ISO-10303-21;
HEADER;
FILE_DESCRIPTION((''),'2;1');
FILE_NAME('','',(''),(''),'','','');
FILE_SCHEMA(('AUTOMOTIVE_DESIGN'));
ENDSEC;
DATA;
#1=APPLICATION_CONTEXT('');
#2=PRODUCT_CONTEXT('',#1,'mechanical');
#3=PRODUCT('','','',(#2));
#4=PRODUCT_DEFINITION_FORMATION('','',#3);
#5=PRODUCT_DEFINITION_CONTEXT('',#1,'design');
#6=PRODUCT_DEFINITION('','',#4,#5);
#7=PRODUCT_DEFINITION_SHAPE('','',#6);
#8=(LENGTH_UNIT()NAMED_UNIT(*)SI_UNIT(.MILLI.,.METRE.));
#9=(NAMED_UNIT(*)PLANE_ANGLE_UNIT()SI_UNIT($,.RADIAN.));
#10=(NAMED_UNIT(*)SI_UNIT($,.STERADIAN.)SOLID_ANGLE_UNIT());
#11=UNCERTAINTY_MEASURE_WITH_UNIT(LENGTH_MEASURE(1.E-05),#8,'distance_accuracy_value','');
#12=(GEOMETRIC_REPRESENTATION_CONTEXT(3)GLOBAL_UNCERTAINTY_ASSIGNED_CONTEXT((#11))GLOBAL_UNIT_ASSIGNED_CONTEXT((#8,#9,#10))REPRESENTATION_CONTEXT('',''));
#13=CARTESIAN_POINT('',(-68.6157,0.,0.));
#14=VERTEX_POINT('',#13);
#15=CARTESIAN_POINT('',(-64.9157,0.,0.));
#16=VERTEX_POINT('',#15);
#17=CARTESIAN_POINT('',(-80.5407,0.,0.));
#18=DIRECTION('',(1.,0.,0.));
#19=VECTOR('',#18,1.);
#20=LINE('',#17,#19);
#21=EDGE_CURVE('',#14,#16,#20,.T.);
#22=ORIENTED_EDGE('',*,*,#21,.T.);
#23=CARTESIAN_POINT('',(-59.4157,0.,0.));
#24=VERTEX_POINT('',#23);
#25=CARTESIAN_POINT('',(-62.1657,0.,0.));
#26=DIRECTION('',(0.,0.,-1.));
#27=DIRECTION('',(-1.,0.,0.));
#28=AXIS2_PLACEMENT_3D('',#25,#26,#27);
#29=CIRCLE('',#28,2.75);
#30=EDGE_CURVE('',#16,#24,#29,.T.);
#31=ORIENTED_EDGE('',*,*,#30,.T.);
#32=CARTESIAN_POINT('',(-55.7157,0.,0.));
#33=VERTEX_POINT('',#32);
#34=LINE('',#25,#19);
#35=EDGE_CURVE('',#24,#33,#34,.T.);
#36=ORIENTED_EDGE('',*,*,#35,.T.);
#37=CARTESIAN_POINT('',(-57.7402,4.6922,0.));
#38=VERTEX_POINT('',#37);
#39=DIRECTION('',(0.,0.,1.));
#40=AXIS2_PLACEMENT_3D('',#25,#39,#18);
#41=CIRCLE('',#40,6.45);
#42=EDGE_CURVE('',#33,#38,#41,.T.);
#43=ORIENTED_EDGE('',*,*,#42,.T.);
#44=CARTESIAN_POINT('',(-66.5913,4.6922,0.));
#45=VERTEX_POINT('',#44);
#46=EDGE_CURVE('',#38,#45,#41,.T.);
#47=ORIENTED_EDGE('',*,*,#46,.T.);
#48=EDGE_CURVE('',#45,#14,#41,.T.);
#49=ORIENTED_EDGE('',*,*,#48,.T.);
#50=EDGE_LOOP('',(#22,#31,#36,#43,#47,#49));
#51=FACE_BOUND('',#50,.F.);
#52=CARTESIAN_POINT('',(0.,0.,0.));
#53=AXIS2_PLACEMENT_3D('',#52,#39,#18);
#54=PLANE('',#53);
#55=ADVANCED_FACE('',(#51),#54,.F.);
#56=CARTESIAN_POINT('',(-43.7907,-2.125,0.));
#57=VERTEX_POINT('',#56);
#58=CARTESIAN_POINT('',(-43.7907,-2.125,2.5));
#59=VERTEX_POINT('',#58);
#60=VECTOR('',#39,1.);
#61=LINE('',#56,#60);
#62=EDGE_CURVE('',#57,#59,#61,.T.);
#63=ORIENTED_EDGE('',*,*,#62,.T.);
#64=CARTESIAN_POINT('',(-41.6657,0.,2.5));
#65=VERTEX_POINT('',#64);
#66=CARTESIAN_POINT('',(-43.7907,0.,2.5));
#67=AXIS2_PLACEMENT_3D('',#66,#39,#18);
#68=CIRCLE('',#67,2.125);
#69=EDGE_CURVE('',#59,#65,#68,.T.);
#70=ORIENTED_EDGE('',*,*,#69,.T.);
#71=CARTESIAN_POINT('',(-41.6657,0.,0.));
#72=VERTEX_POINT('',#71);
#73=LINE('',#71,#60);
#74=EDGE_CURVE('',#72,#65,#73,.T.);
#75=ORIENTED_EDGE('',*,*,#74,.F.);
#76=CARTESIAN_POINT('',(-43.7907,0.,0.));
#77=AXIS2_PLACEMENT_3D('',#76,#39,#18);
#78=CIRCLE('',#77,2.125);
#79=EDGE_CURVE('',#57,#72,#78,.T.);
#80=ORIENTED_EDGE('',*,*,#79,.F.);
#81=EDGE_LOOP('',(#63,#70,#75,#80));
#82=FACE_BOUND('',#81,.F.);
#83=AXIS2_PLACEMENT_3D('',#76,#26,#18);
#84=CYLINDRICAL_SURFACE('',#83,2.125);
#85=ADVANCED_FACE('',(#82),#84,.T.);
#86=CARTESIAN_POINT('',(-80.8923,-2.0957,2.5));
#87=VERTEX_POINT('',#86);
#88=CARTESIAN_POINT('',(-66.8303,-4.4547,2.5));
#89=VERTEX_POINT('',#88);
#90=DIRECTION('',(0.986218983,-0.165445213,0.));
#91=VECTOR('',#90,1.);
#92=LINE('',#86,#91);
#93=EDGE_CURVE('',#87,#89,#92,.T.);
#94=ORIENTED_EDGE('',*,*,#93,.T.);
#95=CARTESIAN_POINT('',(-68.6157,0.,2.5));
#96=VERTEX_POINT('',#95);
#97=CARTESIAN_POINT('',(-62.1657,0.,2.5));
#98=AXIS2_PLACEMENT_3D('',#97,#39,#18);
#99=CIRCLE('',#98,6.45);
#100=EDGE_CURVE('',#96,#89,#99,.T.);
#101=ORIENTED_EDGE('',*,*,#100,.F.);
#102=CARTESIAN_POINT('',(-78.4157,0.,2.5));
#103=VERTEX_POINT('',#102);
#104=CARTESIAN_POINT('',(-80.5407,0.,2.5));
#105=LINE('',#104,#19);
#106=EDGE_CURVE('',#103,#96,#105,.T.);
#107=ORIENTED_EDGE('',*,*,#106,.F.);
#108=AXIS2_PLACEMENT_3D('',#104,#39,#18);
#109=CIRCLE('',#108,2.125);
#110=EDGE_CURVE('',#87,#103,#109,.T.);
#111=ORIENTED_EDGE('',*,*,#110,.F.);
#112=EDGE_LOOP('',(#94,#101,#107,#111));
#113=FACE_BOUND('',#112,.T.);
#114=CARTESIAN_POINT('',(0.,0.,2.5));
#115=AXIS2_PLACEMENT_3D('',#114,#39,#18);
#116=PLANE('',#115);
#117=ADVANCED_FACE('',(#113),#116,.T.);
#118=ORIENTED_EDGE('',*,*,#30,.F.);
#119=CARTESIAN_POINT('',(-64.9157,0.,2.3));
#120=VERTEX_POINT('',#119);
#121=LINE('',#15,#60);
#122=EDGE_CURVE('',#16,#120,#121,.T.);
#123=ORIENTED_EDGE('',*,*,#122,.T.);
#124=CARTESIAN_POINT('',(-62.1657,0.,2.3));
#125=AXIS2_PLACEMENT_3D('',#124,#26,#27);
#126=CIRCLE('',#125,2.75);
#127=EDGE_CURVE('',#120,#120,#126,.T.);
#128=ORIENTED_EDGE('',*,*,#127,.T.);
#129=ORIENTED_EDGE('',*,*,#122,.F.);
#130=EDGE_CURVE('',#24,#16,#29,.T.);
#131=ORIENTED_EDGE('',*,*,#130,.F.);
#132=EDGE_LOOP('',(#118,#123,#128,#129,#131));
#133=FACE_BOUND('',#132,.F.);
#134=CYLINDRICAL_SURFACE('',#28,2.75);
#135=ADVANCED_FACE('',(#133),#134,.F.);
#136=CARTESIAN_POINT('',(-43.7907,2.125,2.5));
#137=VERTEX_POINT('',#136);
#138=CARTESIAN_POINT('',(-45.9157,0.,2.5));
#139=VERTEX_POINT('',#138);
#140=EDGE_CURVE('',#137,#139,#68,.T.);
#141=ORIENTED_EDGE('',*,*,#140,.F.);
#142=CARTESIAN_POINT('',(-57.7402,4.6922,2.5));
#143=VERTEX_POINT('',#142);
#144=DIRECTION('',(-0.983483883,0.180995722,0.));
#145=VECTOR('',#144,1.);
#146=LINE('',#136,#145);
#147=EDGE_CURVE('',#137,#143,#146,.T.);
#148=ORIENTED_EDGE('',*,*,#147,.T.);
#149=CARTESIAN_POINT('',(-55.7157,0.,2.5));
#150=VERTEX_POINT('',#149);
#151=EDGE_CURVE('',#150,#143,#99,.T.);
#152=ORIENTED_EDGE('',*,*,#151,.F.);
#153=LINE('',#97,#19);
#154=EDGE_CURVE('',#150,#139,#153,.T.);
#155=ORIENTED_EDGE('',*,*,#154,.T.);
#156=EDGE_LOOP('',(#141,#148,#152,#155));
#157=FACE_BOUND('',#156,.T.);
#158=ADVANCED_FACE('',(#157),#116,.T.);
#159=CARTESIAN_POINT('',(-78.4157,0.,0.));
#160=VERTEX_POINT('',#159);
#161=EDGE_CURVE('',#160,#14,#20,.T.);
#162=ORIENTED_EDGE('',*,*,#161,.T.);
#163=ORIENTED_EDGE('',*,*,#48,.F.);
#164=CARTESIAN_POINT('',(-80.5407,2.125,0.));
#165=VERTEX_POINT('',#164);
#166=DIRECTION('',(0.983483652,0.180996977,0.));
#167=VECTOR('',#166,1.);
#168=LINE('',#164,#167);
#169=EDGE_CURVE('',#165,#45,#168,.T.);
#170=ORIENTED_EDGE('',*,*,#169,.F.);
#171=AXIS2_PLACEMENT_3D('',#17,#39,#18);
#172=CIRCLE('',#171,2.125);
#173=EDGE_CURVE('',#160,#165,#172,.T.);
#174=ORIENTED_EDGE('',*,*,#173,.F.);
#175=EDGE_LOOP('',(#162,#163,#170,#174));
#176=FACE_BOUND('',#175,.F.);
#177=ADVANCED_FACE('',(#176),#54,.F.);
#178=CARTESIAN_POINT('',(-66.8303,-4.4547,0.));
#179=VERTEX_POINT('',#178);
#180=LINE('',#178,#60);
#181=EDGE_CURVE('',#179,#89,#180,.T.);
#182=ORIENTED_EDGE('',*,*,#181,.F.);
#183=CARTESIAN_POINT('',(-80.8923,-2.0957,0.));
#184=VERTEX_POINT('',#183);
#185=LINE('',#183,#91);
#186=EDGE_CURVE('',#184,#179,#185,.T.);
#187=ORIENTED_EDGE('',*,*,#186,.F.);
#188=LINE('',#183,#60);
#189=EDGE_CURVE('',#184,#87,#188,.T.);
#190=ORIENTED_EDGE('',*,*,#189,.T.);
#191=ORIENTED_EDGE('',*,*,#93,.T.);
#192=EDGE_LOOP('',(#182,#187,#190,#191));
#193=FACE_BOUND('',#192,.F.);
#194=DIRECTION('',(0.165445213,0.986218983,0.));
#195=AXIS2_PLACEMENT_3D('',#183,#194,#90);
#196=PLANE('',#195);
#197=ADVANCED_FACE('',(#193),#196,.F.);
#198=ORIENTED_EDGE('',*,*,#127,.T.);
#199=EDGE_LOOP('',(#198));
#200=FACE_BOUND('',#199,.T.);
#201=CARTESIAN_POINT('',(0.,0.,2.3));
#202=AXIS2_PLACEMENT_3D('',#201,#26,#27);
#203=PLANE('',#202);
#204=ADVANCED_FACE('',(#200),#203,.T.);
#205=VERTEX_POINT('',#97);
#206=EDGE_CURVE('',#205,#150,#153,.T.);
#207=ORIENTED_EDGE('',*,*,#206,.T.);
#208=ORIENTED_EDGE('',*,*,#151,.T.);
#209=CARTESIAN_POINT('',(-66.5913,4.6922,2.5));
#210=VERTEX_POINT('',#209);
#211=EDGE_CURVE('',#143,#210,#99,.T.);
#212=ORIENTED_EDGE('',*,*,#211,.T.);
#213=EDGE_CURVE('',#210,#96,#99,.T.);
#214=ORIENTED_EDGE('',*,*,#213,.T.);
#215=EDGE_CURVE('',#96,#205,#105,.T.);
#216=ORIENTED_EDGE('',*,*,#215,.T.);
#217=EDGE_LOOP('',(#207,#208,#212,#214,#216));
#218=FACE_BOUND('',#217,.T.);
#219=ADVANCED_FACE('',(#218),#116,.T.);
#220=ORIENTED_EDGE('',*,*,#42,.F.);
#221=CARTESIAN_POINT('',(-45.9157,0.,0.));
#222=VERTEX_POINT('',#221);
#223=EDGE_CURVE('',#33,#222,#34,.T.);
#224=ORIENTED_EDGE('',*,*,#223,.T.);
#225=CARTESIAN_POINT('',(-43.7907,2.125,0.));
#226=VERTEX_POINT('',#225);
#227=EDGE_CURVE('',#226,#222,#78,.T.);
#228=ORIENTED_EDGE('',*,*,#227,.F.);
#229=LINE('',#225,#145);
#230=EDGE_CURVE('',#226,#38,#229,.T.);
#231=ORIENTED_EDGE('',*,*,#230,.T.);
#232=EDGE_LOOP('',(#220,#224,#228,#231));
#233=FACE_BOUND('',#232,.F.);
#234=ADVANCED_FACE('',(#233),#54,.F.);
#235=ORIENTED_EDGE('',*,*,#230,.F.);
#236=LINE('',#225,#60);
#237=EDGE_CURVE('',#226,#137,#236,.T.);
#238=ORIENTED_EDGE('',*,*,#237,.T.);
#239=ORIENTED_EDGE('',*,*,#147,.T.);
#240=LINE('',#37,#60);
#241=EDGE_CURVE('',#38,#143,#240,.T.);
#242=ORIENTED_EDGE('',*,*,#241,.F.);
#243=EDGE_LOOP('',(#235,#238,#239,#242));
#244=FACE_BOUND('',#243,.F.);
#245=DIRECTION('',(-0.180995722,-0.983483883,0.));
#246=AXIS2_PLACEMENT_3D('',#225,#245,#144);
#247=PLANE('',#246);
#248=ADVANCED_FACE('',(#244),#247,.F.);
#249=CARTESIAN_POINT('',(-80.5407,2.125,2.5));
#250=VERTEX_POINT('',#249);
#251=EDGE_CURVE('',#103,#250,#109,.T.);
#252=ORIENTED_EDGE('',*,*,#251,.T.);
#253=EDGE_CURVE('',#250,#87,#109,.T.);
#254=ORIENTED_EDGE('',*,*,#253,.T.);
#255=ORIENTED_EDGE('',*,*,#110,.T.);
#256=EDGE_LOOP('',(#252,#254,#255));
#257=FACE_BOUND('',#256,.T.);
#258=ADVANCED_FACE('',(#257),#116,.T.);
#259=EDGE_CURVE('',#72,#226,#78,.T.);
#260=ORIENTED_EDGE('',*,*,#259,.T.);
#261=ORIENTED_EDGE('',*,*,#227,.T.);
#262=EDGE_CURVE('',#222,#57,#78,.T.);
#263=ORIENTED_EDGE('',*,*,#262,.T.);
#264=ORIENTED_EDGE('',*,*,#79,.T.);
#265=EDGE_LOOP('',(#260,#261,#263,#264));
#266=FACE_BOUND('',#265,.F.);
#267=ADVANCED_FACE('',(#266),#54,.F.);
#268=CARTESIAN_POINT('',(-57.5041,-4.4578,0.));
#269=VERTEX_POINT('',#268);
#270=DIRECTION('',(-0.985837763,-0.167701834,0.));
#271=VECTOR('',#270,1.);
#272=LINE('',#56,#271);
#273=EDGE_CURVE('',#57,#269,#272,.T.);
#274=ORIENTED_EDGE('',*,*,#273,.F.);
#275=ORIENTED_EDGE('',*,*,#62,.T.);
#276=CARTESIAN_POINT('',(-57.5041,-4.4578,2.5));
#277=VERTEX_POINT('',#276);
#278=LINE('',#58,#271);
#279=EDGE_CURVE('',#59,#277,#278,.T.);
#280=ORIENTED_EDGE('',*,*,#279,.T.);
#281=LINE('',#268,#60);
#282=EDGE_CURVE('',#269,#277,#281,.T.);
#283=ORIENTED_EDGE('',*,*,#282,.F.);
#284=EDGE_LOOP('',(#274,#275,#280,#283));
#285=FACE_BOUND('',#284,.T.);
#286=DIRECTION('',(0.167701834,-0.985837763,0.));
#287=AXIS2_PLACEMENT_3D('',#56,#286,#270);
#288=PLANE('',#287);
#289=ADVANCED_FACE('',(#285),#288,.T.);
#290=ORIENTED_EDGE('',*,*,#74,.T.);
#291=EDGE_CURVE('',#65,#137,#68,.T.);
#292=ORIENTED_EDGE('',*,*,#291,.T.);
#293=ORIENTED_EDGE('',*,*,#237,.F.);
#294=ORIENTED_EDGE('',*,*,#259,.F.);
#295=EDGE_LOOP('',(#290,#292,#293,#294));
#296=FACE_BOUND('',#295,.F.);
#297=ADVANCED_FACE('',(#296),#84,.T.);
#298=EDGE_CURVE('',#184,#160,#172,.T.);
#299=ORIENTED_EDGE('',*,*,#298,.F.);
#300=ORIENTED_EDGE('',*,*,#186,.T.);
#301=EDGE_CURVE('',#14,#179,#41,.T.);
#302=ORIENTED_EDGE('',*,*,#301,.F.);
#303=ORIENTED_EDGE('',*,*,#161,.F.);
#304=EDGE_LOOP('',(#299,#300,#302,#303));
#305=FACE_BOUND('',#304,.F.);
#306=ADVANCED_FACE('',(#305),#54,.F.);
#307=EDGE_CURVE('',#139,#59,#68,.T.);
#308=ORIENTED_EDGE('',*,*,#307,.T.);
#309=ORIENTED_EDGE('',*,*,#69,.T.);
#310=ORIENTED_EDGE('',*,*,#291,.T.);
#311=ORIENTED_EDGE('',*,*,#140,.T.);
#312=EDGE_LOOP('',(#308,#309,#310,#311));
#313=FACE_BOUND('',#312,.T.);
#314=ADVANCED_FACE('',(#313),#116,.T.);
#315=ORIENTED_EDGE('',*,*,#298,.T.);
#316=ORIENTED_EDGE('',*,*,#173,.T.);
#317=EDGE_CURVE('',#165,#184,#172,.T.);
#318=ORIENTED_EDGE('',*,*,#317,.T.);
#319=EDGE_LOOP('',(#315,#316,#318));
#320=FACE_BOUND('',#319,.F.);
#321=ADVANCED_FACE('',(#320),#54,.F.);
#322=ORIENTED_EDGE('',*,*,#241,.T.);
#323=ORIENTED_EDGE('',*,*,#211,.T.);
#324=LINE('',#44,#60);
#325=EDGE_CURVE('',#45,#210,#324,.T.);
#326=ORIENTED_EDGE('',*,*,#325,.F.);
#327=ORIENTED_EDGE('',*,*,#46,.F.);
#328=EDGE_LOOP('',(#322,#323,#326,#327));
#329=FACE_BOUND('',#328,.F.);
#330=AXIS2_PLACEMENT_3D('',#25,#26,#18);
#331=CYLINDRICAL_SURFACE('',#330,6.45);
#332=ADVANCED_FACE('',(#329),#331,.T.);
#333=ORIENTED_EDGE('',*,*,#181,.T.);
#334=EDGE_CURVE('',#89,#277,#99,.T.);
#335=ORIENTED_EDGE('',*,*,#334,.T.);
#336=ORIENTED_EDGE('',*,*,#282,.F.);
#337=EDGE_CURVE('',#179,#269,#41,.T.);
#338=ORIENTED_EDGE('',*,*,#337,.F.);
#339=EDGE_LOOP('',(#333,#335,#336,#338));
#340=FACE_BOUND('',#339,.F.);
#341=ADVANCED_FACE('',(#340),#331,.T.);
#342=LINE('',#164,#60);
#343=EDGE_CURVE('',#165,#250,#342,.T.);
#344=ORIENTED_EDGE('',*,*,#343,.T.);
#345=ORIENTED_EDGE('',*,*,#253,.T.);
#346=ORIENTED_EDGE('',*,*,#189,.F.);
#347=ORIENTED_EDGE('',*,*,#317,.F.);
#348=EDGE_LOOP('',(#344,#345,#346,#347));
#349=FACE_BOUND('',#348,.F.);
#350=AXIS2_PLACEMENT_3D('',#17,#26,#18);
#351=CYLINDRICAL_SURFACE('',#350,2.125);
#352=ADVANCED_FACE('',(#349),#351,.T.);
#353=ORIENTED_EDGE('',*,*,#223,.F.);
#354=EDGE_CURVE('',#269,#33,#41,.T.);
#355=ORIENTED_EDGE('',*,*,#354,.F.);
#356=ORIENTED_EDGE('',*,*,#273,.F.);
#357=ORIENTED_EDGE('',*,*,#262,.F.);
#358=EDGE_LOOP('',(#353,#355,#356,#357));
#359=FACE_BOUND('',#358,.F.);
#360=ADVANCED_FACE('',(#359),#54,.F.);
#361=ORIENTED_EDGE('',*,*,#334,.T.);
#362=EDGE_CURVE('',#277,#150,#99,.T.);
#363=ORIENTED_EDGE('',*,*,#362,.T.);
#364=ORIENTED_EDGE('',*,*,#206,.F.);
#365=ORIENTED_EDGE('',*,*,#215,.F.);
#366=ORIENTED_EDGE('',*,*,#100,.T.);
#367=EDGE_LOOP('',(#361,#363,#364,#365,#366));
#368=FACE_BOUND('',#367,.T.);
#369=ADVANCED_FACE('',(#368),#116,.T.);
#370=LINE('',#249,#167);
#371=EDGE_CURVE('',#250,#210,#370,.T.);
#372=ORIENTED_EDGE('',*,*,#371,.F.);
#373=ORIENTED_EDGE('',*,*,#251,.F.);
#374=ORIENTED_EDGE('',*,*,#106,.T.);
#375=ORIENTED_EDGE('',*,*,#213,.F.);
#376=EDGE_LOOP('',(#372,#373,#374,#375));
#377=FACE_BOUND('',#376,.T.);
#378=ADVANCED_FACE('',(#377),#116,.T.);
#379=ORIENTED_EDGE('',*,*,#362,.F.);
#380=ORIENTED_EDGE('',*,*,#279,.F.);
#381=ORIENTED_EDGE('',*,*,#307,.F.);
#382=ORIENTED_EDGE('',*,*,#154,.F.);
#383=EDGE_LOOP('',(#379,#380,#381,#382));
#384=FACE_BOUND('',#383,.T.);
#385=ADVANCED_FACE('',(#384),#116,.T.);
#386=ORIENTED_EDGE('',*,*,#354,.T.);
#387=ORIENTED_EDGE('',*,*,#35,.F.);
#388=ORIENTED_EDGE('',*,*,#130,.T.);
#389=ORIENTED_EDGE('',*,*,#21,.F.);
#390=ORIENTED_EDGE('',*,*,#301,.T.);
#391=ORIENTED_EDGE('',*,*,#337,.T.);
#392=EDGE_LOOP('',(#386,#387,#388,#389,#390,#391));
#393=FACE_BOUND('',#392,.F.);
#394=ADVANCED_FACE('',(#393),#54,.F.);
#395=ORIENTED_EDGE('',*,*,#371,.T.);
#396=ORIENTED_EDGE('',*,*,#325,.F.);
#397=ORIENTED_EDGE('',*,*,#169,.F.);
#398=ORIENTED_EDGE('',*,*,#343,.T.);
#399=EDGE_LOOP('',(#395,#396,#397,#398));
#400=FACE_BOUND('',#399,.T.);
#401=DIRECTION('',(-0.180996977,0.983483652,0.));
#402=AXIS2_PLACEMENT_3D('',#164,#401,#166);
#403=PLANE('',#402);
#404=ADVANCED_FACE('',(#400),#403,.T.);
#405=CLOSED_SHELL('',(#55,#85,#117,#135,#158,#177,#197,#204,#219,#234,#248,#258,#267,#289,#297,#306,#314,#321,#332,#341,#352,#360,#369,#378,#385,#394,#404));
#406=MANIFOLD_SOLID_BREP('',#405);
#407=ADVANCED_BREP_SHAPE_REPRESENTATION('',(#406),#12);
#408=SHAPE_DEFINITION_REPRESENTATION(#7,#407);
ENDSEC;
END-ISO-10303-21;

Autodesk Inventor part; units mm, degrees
ref_plane "YZ Plane" through (0, 0, 0) normal (1, 0, 0) x (0, 1, 0)
ref_plane "XZ Plane" through (0, 0, 0) normal (0, 1, 0) x (-1, 0, 0)
ref_plane "XY Plane" through (0, 0, 0) normal (0, 0, 1) x (1, 0, 0)
sketch "Sketch1" plane through (0, 0, 0) normal (0, 0, 1) x (1, 0, 0)
  circle A0 centre (-80.5407, 0) radius 2.125
  circle A1 centre (-43.7907, 0) radius 2.125
  circle A2 centre (-62.1657, 0) radius 6.45
  line L0 (-62.1657, 0) -> (-43.7907, 0)
  line L1 (-80.5407, 0) -> (-62.1657, 0)
  line L2 (-80.5407, 2.125) -> (-66.5913, 4.6922)
  line L3 (-80.8923, -2.0957) -> (-66.8303, -4.4547)
  line L4 (-43.7907, 2.125) -> (-57.7402, 4.6922)
  line L5 (-43.7907, -2.125) -> (-57.5041, -4.4578)
  point P0 (0, 0)
  dimension "d0" = 4.25
  dimension "d1" = 4.25
  dimension "d2" = 41
  dimension "d3" = 12.9
  dimension "d4" = 9.15
  dimension "d5" = 9.15
extrude "Extrusion1" add sketch "Sketch1" along normal blind 2.5
sketch "Sketch2" plane through (0, 0, 0) normal (0, 0, -1) x (-1, 0, 0)
  arc A0 (66.5913, 4.6922) -> (57.7402, 4.6922) centre (62.1657, 0) ccw projected
  circle A1 centre (62.1657, 0) radius 2.75
  point P0 (0, 0)
  dimension "d8" = 5.5
extrude "Extrusion2" cut sketch "Sketch2" against normal blind 2.3
properties part number "servo_motor_header"
